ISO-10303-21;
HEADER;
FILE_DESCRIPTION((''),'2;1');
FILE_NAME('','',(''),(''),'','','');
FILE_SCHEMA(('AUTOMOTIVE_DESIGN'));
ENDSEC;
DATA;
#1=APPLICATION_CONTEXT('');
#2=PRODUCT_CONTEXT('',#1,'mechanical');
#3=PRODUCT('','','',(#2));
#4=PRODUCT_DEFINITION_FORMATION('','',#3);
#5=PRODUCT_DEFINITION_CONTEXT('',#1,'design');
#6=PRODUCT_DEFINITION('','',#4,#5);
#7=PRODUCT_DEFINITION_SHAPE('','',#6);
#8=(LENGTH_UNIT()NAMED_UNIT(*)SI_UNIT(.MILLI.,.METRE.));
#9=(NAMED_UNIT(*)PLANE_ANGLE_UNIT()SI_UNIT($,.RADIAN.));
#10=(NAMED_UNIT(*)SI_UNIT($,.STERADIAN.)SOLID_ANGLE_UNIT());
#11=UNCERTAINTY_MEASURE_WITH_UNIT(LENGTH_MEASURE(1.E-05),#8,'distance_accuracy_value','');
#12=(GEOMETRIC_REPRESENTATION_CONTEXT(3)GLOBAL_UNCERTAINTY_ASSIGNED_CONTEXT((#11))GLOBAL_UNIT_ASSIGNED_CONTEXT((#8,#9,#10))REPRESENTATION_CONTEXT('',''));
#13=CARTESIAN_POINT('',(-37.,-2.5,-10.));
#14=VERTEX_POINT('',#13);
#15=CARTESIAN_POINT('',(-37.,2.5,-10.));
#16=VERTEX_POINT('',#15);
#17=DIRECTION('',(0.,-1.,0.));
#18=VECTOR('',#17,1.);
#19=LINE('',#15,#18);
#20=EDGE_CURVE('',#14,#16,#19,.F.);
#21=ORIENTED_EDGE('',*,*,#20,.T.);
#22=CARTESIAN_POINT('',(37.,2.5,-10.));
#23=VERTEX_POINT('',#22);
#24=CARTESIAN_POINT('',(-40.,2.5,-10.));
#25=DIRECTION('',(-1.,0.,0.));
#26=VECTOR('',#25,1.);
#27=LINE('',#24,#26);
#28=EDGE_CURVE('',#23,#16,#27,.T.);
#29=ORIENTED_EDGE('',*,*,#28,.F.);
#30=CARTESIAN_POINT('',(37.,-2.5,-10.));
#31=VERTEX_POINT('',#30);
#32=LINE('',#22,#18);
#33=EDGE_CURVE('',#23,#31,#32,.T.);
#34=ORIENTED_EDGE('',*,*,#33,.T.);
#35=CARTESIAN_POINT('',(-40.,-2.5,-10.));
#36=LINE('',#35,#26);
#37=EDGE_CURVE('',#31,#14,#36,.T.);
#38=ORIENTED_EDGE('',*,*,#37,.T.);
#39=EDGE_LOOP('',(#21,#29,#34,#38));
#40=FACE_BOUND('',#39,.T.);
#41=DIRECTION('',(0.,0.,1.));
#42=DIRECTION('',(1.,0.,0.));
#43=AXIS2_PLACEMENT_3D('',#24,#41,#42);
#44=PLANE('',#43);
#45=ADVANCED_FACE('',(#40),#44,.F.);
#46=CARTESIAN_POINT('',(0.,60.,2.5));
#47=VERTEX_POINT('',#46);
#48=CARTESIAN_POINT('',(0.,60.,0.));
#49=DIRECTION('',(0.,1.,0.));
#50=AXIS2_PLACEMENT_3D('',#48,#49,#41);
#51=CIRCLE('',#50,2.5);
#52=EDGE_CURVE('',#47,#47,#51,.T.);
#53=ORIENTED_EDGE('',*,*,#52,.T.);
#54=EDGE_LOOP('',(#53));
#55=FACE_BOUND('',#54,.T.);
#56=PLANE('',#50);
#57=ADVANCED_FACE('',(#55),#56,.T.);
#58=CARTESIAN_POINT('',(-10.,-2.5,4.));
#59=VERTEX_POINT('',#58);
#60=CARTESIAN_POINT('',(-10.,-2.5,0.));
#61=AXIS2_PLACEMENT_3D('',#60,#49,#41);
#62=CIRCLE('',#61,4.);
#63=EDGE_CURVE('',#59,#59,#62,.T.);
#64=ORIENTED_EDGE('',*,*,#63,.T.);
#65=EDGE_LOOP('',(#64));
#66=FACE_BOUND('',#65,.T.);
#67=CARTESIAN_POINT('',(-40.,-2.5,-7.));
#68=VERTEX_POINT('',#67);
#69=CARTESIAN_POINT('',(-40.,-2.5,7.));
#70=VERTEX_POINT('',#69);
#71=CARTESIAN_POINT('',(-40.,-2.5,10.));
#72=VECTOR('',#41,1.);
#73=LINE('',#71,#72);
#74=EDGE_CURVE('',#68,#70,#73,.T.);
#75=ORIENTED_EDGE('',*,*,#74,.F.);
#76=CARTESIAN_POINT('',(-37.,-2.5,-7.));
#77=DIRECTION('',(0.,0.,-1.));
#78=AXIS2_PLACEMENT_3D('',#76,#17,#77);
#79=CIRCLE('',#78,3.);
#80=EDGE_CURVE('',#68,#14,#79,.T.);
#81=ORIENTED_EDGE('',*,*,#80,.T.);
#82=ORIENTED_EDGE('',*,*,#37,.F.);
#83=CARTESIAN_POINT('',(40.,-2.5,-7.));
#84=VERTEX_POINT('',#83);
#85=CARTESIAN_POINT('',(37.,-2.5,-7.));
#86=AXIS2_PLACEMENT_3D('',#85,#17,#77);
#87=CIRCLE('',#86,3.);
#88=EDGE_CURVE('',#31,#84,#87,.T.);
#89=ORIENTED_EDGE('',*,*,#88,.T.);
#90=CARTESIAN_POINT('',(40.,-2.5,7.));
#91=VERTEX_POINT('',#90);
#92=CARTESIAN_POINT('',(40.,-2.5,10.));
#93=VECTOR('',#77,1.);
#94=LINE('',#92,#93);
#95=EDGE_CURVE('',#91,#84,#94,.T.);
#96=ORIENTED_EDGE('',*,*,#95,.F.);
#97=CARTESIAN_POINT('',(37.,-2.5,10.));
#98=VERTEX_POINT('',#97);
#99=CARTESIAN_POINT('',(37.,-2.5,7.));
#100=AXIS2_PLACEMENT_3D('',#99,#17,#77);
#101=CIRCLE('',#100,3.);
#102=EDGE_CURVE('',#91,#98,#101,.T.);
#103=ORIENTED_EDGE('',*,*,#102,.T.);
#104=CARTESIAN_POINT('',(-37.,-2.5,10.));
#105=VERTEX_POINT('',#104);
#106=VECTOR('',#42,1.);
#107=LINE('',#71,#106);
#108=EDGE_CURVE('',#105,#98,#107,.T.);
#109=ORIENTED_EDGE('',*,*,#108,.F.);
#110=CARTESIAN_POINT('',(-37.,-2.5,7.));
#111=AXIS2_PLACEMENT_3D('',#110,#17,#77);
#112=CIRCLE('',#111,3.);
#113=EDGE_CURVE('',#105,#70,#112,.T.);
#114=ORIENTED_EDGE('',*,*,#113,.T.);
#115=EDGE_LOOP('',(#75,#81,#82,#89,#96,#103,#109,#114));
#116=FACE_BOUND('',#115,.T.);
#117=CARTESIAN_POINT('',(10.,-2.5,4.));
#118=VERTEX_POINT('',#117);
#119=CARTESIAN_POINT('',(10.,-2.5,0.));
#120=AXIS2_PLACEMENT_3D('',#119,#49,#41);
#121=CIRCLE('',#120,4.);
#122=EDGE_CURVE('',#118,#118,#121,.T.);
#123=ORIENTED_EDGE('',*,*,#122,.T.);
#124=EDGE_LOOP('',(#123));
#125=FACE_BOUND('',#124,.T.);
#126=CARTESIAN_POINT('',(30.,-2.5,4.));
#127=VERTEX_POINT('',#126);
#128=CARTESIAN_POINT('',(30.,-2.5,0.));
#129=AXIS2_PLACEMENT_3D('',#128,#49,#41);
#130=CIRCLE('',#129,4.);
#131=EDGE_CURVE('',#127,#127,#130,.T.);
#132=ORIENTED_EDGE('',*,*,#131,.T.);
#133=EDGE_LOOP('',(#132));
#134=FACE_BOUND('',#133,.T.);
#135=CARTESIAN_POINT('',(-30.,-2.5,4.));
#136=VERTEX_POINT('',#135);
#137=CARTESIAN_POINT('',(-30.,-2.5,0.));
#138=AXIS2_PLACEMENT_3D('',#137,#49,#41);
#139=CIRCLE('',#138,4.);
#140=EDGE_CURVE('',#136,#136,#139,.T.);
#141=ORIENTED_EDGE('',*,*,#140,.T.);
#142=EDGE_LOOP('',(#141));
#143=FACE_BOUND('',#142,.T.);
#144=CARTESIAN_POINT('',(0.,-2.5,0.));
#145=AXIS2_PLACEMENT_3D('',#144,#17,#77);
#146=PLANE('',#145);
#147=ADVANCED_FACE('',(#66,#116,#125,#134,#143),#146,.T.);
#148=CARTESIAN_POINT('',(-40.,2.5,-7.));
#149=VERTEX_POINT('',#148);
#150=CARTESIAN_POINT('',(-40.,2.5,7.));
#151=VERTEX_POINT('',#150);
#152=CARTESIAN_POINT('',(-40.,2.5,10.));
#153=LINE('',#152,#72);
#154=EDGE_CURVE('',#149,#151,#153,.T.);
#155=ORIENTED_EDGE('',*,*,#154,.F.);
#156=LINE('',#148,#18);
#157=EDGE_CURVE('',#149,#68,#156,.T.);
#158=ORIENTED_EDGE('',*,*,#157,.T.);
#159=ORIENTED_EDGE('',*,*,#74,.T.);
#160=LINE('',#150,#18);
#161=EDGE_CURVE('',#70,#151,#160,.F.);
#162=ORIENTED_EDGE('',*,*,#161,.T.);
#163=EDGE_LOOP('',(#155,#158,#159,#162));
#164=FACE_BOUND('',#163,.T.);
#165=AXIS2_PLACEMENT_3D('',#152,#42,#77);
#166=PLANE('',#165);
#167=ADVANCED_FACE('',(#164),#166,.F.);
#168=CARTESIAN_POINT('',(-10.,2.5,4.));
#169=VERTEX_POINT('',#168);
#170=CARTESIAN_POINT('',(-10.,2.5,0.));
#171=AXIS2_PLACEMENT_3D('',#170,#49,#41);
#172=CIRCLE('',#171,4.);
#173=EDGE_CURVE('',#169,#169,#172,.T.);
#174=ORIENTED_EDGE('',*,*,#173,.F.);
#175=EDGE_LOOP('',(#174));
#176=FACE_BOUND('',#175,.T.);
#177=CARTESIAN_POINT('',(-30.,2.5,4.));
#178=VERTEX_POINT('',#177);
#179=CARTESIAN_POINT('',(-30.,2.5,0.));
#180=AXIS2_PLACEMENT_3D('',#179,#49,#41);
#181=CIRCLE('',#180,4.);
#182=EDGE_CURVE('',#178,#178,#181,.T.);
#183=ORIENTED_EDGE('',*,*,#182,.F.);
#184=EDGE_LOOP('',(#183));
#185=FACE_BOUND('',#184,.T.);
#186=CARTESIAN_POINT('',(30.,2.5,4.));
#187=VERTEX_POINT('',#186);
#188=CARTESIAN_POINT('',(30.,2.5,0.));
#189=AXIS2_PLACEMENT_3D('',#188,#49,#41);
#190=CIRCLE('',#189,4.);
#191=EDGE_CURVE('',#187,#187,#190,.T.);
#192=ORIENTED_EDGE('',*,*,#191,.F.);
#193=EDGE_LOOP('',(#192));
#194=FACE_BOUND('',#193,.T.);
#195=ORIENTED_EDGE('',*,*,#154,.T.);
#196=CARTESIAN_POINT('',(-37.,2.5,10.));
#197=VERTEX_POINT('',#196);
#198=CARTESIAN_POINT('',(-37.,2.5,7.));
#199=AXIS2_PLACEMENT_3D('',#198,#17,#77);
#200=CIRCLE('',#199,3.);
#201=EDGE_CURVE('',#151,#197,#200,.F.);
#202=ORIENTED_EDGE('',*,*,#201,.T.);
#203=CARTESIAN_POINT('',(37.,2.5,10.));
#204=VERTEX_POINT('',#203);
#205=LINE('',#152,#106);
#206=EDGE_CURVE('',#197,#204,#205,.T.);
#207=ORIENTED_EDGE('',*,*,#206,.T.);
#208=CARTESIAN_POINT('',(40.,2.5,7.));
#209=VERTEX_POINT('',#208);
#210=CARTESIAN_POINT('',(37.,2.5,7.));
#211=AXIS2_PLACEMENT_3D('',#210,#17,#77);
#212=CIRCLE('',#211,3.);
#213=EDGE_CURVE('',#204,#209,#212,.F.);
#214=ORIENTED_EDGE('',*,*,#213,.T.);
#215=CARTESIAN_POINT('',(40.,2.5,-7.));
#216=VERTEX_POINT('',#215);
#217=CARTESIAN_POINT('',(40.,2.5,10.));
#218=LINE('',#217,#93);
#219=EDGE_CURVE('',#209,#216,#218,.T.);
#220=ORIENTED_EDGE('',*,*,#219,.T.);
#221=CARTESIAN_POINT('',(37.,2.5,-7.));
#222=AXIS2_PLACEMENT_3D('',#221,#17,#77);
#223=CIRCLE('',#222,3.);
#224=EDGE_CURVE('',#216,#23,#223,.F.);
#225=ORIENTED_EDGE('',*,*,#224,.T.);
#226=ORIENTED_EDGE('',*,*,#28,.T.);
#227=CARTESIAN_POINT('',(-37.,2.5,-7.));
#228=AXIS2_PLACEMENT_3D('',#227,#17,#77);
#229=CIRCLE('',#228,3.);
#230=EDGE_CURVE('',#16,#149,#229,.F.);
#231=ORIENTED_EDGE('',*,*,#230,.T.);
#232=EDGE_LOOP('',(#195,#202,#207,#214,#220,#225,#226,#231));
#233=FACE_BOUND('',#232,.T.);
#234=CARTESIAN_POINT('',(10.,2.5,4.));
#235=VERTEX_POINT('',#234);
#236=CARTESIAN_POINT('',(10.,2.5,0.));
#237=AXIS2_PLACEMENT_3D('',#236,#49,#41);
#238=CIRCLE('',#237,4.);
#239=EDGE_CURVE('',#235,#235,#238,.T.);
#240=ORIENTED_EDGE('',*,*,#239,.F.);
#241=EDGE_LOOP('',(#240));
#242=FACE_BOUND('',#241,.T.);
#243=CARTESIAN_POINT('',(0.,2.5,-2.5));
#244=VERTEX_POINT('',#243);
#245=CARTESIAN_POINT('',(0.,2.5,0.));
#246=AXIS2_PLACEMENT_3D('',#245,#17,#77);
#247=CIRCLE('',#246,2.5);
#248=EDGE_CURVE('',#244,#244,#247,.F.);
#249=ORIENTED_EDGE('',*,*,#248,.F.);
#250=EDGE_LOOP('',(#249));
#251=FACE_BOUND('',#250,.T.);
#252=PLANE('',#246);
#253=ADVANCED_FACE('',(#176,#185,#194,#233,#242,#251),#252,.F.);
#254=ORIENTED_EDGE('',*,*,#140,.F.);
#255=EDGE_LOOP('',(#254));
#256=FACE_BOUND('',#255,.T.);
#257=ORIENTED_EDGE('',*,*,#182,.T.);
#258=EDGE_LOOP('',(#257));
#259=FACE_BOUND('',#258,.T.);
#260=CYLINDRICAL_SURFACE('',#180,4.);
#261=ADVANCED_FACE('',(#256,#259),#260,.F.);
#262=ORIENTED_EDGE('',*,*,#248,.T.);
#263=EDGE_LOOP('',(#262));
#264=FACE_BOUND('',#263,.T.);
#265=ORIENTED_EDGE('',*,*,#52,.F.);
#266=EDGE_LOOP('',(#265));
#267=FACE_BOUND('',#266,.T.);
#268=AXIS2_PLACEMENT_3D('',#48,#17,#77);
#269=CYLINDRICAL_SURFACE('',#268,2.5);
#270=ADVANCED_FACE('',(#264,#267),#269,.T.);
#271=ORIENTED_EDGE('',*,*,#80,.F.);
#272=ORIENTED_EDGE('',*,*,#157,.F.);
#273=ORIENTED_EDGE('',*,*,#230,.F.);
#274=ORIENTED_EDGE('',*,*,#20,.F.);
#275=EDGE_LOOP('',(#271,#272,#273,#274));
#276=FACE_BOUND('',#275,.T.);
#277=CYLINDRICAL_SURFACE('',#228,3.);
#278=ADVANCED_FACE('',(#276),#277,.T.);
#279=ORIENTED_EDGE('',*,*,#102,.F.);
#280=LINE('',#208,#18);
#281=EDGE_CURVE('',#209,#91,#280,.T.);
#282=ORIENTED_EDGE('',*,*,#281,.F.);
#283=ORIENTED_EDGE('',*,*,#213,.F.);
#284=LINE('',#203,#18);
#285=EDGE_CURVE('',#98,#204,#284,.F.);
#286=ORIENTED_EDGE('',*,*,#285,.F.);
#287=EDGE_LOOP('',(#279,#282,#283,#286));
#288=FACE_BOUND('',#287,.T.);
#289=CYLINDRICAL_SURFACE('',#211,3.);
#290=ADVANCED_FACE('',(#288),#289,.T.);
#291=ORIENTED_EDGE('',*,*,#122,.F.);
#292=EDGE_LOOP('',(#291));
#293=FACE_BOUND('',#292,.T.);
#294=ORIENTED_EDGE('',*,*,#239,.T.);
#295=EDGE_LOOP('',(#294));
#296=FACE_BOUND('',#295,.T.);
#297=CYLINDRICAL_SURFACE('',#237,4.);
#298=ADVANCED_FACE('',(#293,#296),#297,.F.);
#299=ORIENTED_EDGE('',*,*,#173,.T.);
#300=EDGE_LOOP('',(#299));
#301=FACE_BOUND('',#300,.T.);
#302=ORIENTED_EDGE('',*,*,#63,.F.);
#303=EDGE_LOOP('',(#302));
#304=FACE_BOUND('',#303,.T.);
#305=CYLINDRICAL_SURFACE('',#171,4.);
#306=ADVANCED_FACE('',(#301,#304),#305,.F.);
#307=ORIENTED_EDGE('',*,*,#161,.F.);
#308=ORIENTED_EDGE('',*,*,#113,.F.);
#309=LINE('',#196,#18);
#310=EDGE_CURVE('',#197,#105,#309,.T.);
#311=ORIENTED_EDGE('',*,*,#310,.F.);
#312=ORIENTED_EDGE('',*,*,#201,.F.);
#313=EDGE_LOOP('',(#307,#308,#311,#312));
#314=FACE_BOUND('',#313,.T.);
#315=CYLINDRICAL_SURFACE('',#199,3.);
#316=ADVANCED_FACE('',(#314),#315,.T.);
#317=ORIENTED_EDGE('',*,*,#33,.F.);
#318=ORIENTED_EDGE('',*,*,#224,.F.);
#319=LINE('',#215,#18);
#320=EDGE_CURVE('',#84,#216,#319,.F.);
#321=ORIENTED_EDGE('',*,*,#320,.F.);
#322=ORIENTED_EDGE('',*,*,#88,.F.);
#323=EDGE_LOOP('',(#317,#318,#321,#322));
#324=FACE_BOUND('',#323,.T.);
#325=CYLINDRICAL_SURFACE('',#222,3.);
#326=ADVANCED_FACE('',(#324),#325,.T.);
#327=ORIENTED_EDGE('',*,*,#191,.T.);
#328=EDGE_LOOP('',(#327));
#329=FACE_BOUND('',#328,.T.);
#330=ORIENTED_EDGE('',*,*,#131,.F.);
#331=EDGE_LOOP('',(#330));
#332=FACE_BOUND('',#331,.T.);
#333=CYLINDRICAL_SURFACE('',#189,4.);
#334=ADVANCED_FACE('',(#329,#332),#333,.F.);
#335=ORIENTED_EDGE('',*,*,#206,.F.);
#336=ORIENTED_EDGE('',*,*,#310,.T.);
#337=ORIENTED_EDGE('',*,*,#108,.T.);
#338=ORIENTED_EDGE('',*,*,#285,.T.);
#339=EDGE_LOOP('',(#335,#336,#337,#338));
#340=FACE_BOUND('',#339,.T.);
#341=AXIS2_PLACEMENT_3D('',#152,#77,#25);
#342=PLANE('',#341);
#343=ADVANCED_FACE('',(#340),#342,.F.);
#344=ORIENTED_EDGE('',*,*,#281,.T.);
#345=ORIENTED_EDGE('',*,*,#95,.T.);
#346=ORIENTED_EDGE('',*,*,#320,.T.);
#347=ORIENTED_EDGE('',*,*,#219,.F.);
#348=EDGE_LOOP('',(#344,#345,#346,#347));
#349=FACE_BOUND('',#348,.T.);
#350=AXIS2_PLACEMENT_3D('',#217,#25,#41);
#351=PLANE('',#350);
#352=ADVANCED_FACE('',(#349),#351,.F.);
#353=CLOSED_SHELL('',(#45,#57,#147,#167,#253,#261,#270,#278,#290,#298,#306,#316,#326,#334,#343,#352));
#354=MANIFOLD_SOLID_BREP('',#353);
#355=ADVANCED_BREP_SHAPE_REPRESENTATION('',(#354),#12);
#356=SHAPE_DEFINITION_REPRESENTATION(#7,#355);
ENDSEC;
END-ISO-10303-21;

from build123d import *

# Parameters (mm, degrees)
SKETCH1_W             = 80
SKETCH1_H             = 20
BOSS_EXTRUDE1_DEPTH   = 2.5
F_8_0MM_DOWEL_HOLE1_D = 8
SKETCH6_R             = 2.5
BOSS_EXTRUDE2_DEPTH   = 60
FILLET1_R             = 3


with BuildPart() as part:
    # Sketch1 → Boss-Extrude1 (new, symmetric)
    with BuildSketch(Plane(origin=(0, 0, 0), x_dir=(1, 0, 0), z_dir=(0, 1, 0))):
        Rectangle(SKETCH1_W, SKETCH1_H)
    extrude(amount=BOSS_EXTRUDE1_DEPTH, both=True)

    # Ø8.0mm Dowel Hole1 (through all)
    with Locations(Plane(origin=(0, 2.5, 0), x_dir=(1, 0, 0), z_dir=(0, 1, 0))):
        with Locations((-30, 0), (-10, 0), (10, 0), (30, 0)):
            Hole(F_8_0MM_DOWEL_HOLE1_D / 2)

    # Sketch6 → Boss-Extrude2 (add)
    with BuildSketch(Plane(origin=(0, 0, 0), x_dir=(1, 0, 0), z_dir=(0, 1, 0))):
        with Locations(Location((0, 0, 0), (0, 0, 90))):
            Circle(SKETCH6_R)
    extrude(amount=BOSS_EXTRUDE2_DEPTH)

    # Fillet1
    fillet1_edges = [part.edges().sort_by_distance(p)[0] for p in [
        (40, 0, 10),
        (-40, 0, 10),
        (-40, 0, -10),
        (40, 0, -10),
    ]]
    fillet(fillet1_edges, radius=FILLET1_R)


solid = part.part
